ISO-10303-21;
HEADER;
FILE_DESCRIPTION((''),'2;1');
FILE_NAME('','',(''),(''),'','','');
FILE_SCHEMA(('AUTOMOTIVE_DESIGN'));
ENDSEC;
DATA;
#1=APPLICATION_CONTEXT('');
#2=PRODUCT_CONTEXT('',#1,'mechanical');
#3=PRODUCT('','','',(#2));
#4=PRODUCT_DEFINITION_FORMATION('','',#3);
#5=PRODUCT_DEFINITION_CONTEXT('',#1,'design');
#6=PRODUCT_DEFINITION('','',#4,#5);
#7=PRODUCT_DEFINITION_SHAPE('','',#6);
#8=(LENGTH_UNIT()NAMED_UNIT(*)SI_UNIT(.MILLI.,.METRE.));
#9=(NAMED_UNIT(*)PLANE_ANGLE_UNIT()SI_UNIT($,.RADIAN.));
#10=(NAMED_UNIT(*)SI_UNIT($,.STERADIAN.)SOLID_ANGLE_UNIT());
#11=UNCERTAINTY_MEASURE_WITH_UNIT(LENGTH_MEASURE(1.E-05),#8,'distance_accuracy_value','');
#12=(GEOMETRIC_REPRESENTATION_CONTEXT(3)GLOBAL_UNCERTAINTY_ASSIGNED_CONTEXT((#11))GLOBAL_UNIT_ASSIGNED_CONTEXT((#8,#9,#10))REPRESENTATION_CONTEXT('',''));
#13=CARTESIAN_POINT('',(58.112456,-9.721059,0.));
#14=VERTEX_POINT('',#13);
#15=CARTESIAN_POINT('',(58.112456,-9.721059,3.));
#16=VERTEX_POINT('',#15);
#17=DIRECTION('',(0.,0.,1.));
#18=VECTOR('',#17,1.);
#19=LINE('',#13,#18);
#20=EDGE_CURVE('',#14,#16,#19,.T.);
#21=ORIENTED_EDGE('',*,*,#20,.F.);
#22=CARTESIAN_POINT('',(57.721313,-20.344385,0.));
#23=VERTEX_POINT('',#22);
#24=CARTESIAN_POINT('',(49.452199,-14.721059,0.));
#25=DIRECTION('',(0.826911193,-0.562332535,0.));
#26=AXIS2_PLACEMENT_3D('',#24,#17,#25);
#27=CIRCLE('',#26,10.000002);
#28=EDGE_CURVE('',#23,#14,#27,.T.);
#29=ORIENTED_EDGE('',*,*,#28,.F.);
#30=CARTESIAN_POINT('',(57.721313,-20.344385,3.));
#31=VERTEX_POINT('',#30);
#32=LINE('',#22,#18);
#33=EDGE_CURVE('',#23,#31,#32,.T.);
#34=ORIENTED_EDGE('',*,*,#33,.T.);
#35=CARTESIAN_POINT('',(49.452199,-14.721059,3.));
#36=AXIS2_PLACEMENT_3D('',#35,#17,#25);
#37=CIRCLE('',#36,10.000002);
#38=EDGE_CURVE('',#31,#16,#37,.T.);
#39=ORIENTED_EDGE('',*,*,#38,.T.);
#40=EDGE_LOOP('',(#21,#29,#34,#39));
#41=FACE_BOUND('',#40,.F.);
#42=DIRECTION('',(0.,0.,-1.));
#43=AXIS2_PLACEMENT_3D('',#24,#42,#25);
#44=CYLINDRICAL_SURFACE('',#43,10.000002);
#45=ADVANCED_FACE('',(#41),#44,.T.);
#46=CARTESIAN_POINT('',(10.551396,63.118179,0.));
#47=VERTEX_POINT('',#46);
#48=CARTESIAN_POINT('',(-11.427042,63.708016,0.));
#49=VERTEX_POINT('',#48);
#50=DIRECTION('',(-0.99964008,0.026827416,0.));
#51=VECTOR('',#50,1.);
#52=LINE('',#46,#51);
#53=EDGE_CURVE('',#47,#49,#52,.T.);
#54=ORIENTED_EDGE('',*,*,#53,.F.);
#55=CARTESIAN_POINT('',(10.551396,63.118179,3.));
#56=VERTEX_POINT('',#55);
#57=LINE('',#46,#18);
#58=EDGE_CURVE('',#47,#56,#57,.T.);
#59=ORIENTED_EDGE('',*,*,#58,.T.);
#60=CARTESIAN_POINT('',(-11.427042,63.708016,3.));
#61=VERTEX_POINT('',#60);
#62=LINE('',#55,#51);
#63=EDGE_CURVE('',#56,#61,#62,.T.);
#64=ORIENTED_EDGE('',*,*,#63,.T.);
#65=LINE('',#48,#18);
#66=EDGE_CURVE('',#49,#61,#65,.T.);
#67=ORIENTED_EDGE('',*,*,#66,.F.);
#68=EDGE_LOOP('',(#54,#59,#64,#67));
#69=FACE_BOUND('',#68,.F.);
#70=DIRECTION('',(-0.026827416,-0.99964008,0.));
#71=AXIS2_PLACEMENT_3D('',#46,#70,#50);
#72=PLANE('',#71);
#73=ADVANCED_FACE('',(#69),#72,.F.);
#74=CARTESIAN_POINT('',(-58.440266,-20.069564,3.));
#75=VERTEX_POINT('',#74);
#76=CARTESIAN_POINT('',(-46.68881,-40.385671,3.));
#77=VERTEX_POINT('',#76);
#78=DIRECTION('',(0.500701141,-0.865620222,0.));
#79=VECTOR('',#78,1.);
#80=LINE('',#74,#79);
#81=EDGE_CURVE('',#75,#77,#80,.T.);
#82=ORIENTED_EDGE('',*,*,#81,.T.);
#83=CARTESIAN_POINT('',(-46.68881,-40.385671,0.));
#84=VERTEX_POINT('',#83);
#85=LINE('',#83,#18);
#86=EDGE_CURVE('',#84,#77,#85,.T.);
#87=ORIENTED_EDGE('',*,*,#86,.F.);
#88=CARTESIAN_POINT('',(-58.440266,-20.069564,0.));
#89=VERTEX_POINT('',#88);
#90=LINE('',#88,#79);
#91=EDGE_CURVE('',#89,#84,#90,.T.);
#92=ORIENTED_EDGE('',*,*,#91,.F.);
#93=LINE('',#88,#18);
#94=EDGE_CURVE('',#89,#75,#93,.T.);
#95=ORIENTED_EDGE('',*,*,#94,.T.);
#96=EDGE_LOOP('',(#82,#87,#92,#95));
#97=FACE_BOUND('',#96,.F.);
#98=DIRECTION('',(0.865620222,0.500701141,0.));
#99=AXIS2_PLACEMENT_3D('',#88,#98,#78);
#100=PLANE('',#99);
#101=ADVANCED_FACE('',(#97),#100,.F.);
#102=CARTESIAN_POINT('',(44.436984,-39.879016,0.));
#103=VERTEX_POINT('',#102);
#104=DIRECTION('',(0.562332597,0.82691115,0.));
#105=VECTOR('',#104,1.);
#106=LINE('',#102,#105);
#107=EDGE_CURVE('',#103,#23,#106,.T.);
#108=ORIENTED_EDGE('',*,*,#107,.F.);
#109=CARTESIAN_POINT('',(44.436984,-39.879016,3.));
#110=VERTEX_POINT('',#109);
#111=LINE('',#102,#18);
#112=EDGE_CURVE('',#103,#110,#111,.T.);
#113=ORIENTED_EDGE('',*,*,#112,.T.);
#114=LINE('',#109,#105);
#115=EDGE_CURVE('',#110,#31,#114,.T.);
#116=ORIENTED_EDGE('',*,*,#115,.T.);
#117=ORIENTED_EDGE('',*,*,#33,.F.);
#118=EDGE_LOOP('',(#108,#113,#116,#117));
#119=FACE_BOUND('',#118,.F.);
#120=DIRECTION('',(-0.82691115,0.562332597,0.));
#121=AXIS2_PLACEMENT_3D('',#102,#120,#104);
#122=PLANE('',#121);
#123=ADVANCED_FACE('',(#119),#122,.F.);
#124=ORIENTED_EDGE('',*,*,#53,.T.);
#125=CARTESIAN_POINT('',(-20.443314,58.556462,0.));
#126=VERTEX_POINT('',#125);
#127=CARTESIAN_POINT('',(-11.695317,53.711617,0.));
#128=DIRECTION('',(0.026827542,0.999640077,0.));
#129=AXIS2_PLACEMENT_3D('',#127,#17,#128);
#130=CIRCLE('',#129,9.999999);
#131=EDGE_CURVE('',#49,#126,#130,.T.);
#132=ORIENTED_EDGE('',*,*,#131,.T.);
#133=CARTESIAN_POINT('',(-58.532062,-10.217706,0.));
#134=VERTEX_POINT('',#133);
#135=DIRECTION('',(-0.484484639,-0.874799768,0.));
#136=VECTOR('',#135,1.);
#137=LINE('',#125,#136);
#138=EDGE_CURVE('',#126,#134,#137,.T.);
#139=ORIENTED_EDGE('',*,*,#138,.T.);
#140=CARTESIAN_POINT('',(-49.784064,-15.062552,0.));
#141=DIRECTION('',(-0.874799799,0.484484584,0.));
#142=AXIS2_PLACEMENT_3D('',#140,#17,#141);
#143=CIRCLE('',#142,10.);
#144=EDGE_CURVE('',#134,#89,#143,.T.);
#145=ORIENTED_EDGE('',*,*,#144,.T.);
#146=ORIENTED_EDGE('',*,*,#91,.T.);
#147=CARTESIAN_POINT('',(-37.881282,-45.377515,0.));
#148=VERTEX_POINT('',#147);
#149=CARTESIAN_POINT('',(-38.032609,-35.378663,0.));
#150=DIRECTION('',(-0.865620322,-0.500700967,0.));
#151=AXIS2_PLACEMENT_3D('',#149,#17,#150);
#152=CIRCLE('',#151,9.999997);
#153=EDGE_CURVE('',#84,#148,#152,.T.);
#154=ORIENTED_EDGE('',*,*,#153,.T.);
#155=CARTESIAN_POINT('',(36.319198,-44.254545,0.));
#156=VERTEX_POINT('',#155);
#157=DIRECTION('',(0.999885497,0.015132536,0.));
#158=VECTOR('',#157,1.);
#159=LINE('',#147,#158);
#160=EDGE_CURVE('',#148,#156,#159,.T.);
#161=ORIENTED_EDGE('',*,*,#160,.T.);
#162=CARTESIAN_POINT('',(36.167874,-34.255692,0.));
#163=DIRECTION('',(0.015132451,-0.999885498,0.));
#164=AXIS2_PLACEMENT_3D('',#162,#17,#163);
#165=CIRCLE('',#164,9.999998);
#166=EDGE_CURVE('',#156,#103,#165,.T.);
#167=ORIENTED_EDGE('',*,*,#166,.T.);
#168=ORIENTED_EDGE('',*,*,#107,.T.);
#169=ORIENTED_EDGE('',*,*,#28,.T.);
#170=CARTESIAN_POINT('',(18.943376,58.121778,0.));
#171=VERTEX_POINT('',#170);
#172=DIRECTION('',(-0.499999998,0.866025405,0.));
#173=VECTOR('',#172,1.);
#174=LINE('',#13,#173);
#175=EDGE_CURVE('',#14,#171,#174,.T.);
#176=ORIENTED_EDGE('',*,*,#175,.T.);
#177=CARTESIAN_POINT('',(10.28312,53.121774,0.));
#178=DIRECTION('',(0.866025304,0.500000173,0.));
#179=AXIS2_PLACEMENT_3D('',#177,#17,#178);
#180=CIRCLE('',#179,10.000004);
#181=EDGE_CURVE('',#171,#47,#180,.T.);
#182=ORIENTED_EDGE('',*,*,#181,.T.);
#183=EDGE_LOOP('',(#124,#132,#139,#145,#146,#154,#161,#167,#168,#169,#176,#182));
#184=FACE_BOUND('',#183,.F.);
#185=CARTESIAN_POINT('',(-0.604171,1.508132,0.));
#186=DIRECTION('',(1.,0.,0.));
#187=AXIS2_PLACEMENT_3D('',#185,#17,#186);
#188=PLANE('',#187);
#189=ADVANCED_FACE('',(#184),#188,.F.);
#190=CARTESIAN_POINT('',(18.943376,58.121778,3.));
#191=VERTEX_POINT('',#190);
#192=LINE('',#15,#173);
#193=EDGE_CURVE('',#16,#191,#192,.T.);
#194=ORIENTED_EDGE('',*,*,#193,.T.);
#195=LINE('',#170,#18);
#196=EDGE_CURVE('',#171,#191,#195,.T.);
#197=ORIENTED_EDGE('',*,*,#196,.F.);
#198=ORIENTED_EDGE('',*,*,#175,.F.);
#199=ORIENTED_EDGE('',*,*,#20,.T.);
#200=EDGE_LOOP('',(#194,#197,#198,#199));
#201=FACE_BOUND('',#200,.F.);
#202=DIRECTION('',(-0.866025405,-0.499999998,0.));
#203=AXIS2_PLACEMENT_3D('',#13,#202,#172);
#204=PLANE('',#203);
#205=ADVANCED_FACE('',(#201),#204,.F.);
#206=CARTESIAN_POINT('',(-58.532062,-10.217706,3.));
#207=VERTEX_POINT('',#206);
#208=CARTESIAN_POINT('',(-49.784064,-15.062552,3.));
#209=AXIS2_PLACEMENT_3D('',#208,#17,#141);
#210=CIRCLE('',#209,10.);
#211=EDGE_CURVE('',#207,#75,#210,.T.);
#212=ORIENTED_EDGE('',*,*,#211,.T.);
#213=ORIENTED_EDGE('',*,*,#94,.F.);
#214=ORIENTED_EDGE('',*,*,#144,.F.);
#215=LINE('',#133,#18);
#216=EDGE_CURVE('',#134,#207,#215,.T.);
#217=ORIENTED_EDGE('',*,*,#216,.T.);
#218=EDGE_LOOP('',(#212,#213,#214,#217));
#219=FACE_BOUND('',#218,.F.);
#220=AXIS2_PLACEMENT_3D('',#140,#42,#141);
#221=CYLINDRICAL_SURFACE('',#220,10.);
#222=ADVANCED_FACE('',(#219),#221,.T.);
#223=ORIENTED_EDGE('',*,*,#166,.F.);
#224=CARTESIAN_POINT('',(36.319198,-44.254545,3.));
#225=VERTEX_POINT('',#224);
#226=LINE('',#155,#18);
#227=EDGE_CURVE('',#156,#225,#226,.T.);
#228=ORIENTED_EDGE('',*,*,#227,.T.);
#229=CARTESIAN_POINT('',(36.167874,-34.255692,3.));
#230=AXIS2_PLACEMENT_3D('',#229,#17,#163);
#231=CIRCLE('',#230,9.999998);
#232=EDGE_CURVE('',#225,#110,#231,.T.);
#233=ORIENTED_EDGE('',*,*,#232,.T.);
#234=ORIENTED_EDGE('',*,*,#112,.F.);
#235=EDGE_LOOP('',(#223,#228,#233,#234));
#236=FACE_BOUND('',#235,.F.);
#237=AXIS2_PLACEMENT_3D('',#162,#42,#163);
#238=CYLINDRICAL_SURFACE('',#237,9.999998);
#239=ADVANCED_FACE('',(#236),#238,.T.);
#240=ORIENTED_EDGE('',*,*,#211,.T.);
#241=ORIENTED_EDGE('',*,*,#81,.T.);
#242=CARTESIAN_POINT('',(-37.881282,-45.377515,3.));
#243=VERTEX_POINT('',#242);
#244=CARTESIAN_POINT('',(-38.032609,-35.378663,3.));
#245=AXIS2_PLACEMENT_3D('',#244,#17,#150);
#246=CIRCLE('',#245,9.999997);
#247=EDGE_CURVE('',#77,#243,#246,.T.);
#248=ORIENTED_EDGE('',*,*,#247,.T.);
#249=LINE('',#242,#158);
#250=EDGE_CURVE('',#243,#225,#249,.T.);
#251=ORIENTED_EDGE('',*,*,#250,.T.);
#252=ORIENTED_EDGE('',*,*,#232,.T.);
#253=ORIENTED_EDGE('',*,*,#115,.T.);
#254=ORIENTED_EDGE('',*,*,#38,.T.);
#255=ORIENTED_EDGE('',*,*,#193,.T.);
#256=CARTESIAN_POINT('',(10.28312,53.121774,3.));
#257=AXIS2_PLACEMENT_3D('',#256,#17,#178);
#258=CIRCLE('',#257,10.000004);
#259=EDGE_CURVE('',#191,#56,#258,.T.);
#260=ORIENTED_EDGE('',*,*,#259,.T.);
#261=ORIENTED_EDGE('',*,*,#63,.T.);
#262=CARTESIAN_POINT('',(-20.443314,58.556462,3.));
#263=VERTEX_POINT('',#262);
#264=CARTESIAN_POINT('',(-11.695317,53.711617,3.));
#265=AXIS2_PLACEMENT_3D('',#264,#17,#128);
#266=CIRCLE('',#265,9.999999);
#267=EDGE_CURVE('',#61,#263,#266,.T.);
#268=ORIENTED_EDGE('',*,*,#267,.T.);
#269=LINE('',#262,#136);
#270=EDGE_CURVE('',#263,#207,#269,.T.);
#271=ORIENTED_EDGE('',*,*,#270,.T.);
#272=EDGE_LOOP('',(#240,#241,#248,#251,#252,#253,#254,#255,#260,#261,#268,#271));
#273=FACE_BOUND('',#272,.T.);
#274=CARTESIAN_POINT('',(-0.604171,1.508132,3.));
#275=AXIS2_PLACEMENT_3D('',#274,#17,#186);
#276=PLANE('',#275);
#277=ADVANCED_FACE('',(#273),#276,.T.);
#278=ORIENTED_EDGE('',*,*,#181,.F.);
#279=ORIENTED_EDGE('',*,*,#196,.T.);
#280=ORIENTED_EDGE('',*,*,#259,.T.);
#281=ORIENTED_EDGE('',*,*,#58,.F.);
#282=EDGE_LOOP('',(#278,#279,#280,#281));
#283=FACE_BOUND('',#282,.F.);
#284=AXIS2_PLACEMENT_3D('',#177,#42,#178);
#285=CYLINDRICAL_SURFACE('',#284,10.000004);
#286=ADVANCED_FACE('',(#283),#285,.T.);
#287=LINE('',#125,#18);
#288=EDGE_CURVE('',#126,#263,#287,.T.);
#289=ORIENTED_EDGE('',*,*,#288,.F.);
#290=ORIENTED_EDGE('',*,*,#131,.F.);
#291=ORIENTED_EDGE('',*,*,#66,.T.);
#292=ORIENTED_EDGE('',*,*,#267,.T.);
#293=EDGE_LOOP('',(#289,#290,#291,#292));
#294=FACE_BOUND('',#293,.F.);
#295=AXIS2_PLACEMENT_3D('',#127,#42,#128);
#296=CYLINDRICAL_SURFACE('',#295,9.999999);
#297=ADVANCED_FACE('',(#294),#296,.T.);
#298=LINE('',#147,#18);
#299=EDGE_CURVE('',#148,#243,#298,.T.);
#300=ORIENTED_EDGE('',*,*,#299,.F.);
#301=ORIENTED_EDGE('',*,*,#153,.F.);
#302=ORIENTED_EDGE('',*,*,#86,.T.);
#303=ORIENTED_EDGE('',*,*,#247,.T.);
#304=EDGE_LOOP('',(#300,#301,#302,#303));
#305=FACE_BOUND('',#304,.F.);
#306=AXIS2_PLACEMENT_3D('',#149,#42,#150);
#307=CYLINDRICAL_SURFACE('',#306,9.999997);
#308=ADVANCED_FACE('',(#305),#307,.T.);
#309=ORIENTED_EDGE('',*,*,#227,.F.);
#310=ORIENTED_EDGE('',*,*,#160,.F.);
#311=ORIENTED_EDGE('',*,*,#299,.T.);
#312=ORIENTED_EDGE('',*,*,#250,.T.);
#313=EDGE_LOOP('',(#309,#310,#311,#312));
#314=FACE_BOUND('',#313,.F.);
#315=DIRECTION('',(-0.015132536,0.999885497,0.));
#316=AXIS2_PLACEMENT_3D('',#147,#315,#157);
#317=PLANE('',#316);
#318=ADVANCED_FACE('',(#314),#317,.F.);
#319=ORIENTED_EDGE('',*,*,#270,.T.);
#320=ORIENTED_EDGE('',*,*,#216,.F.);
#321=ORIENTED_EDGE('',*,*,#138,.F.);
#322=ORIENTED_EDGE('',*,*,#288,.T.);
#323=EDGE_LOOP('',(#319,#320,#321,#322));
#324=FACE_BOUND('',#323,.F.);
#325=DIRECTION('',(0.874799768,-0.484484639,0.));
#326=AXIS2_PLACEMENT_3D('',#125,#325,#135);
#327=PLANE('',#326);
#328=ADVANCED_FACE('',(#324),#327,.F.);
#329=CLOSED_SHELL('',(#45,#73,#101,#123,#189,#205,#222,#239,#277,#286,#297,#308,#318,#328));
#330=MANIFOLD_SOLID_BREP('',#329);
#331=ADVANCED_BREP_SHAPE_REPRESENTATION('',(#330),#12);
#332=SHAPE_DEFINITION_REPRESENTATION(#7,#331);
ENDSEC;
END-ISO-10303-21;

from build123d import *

# Parameters (mm, degrees)
F1_DEPTH = 3


with BuildPart() as f1:
    # F0 (on Top) → F1 (new body)
    with BuildSketch(Plane.XY):
        with BuildLine():
            ThreePointArc((-11.427042, 63.708016), (-16.65627, 62.394296), (-20.443314, 58.556462))
            Line((-20.443314, 58.556462), (-58.532062, -10.217706))
            ThreePointArc((-58.532062, -10.217706), (-59.78363, -15.155724), (-58.440266, -20.069564))
            Line((-58.440266, -20.069564), (-46.68881, -40.385671))
            ThreePointArc((-46.68881, -40.385671), (-42.963415, -44.078496), (-37.881282, -45.377515))
            Line((-37.881282, -45.377515), (36.319198, -44.254545))
            ThreePointArc((36.319198, -44.254545), (40.91258, -43.058403), (44.436984, -39.879016))
            Line((44.436984, -39.879016), (57.721313, -20.344385))
            ThreePointArc((57.721313, -20.344385), (59.44543, -15.089002), (58.112456, -9.721059))
            Line((58.112456, -9.721059), (18.943376, 58.121778))
            ThreePointArc((18.943376, 58.121778), (15.398848, 61.714178), (10.551396, 63.118179))
            Line((10.551396, 63.118179), (-11.427042, 63.708016))
        make_face()
    extrude(amount=F1_DEPTH)


solid = f1.part
